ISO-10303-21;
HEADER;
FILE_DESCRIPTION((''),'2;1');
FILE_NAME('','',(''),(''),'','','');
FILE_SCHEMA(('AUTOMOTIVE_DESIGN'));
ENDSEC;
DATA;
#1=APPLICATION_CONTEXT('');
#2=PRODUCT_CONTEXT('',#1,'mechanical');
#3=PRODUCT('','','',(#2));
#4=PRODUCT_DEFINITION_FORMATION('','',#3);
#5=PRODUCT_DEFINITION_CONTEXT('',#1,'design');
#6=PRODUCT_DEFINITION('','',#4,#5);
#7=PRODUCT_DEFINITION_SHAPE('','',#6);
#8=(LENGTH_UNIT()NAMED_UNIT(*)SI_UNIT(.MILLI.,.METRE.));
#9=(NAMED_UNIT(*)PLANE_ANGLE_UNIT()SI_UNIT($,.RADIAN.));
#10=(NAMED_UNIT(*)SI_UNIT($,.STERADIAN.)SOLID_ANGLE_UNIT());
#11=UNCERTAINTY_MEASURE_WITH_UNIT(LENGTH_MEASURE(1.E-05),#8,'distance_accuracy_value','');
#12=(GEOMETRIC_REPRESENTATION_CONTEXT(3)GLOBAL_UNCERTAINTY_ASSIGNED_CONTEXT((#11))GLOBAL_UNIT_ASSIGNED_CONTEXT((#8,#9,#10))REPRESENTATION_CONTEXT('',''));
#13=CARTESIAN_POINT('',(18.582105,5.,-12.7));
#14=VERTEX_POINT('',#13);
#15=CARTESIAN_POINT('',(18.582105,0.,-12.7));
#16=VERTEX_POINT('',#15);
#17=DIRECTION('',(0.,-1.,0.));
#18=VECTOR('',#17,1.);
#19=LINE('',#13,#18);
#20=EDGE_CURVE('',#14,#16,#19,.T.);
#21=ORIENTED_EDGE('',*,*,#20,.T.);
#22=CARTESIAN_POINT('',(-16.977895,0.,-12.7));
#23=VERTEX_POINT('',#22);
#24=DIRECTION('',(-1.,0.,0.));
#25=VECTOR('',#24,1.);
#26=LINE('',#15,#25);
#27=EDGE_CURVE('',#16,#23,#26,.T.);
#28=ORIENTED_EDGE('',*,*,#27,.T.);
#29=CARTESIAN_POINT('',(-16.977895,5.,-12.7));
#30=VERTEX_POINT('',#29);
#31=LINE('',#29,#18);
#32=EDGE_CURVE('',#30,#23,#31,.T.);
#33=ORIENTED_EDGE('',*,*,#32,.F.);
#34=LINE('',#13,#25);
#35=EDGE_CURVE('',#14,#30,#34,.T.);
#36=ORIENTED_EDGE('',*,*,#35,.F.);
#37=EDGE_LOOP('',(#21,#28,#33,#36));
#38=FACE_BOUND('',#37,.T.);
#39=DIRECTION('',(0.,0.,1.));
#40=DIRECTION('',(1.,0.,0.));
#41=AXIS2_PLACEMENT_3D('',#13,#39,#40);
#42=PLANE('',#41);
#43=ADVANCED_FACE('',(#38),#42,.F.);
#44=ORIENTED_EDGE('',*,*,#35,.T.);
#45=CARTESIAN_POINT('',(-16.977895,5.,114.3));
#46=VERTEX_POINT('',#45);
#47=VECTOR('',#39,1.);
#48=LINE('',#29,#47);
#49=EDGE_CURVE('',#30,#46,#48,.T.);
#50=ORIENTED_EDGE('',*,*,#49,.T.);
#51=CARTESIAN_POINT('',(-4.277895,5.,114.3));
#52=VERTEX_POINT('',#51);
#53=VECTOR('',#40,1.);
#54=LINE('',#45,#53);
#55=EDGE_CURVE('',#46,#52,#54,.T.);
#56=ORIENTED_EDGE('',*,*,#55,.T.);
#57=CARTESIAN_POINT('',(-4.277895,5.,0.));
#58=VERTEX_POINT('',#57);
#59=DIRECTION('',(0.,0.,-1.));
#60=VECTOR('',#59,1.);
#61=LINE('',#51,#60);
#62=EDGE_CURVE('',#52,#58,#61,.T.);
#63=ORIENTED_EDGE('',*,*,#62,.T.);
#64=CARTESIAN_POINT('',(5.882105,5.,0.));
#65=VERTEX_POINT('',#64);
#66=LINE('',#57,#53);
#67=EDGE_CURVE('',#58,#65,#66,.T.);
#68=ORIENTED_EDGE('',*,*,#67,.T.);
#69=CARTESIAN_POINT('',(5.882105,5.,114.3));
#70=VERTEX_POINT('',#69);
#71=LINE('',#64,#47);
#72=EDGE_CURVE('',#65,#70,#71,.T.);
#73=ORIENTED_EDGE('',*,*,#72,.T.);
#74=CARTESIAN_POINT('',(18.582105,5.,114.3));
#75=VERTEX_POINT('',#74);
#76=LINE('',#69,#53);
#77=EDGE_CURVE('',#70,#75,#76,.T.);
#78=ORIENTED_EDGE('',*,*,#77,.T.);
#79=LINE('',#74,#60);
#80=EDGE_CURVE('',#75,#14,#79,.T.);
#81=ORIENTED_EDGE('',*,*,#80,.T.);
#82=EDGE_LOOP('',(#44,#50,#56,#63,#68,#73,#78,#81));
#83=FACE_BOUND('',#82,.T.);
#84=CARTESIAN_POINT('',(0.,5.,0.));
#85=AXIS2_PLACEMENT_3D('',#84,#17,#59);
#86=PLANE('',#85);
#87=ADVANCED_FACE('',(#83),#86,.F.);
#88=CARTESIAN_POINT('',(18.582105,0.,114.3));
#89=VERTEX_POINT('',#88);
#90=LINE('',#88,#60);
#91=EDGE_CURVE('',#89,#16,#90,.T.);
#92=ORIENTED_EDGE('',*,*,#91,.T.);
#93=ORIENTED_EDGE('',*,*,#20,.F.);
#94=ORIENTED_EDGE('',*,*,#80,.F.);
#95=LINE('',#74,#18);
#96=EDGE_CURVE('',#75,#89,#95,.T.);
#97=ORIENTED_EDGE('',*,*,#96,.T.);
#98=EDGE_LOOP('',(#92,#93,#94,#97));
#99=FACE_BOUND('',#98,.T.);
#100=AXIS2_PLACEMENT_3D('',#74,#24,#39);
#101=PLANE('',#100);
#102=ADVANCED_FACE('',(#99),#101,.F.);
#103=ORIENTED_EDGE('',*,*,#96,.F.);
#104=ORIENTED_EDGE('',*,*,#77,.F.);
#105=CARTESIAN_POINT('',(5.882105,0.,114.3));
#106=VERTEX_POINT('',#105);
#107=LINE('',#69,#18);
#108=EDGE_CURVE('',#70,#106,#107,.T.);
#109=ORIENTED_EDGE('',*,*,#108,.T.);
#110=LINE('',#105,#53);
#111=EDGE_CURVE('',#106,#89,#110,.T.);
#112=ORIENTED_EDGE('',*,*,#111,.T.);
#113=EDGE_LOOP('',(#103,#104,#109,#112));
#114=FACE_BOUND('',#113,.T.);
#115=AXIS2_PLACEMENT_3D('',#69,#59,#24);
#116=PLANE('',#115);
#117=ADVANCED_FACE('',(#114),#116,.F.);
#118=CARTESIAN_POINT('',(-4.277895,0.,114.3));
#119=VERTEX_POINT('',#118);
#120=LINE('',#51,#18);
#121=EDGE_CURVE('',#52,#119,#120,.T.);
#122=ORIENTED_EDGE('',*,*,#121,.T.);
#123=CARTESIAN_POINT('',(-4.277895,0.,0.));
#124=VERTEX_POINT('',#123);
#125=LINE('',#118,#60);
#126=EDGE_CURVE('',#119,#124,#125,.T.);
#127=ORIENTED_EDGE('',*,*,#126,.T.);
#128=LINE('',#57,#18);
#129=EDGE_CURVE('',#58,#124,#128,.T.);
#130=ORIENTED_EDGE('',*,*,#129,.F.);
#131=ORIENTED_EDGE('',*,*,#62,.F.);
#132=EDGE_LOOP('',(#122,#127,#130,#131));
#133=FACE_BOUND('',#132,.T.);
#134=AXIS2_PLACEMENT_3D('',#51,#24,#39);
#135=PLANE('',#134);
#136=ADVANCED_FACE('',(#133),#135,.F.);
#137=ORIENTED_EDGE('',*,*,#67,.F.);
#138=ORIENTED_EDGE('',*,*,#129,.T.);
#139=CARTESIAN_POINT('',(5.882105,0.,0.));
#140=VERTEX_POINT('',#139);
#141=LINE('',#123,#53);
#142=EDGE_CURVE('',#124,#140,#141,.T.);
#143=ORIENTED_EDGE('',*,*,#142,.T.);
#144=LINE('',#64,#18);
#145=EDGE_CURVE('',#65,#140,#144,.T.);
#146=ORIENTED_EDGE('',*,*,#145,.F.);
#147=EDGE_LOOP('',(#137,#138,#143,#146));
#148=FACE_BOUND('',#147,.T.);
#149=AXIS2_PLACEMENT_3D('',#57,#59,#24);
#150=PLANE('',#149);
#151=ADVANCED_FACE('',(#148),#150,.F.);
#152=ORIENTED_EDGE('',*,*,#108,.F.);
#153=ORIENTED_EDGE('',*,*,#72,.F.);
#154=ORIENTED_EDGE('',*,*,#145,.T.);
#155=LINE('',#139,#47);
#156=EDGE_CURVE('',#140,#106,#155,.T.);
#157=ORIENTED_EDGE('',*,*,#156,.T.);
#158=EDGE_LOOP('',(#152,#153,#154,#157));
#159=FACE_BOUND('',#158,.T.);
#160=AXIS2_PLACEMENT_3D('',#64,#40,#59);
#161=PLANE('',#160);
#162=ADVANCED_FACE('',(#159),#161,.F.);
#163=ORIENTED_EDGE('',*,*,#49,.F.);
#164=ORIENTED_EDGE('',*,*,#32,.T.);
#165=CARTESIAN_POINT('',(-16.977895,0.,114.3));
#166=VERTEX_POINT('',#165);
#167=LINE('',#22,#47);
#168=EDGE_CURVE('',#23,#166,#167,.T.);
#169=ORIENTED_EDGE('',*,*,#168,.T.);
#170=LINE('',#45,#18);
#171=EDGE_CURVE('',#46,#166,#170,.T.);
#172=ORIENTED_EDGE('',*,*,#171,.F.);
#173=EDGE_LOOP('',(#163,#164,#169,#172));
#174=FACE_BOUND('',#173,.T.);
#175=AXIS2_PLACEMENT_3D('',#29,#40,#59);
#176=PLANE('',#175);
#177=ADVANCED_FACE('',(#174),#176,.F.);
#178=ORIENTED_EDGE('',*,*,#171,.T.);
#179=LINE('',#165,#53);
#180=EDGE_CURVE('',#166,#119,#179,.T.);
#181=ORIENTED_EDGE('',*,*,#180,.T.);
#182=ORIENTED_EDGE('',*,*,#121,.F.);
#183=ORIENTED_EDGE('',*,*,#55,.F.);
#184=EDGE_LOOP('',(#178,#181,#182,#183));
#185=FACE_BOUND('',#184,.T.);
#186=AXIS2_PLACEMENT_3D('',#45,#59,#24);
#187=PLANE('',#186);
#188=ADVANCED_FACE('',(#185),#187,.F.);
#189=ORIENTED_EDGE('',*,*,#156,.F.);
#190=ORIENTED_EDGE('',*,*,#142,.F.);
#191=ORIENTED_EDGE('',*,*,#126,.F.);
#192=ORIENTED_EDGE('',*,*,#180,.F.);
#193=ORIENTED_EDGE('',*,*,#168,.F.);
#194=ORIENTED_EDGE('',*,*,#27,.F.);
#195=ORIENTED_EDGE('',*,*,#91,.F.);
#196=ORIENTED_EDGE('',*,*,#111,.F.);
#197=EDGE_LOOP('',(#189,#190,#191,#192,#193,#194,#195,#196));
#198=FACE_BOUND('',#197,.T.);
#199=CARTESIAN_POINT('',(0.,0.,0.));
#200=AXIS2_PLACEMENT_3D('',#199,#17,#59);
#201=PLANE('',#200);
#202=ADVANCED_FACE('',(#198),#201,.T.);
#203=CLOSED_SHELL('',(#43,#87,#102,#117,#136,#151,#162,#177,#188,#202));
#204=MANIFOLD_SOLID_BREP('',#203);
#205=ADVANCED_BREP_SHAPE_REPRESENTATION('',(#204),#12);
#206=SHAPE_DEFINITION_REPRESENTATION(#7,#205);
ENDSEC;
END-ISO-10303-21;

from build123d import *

# Parameters (mm, degrees)
BOSS_EXTRUDE1_DEPTH = 5


with BuildPart() as part:
    # Sketch1 → Boss-Extrude1 (new body)
    with BuildSketch(Plane(origin=(0, 0, 0), x_dir=(1, 0, 0), z_dir=(0, 1, 0))):
        Polygon((-4.277894737, 0), (5.882105263, 0), (5.882105263, -114.3), (18.582105263, -114.3), (18.582105263, 12.7), (-16.977894737, 12.7), (-16.977894737, -114.3), (-4.277894737, -114.3), align=None)
    extrude(amount=BOSS_EXTRUDE1_DEPTH)


solid = part.part
